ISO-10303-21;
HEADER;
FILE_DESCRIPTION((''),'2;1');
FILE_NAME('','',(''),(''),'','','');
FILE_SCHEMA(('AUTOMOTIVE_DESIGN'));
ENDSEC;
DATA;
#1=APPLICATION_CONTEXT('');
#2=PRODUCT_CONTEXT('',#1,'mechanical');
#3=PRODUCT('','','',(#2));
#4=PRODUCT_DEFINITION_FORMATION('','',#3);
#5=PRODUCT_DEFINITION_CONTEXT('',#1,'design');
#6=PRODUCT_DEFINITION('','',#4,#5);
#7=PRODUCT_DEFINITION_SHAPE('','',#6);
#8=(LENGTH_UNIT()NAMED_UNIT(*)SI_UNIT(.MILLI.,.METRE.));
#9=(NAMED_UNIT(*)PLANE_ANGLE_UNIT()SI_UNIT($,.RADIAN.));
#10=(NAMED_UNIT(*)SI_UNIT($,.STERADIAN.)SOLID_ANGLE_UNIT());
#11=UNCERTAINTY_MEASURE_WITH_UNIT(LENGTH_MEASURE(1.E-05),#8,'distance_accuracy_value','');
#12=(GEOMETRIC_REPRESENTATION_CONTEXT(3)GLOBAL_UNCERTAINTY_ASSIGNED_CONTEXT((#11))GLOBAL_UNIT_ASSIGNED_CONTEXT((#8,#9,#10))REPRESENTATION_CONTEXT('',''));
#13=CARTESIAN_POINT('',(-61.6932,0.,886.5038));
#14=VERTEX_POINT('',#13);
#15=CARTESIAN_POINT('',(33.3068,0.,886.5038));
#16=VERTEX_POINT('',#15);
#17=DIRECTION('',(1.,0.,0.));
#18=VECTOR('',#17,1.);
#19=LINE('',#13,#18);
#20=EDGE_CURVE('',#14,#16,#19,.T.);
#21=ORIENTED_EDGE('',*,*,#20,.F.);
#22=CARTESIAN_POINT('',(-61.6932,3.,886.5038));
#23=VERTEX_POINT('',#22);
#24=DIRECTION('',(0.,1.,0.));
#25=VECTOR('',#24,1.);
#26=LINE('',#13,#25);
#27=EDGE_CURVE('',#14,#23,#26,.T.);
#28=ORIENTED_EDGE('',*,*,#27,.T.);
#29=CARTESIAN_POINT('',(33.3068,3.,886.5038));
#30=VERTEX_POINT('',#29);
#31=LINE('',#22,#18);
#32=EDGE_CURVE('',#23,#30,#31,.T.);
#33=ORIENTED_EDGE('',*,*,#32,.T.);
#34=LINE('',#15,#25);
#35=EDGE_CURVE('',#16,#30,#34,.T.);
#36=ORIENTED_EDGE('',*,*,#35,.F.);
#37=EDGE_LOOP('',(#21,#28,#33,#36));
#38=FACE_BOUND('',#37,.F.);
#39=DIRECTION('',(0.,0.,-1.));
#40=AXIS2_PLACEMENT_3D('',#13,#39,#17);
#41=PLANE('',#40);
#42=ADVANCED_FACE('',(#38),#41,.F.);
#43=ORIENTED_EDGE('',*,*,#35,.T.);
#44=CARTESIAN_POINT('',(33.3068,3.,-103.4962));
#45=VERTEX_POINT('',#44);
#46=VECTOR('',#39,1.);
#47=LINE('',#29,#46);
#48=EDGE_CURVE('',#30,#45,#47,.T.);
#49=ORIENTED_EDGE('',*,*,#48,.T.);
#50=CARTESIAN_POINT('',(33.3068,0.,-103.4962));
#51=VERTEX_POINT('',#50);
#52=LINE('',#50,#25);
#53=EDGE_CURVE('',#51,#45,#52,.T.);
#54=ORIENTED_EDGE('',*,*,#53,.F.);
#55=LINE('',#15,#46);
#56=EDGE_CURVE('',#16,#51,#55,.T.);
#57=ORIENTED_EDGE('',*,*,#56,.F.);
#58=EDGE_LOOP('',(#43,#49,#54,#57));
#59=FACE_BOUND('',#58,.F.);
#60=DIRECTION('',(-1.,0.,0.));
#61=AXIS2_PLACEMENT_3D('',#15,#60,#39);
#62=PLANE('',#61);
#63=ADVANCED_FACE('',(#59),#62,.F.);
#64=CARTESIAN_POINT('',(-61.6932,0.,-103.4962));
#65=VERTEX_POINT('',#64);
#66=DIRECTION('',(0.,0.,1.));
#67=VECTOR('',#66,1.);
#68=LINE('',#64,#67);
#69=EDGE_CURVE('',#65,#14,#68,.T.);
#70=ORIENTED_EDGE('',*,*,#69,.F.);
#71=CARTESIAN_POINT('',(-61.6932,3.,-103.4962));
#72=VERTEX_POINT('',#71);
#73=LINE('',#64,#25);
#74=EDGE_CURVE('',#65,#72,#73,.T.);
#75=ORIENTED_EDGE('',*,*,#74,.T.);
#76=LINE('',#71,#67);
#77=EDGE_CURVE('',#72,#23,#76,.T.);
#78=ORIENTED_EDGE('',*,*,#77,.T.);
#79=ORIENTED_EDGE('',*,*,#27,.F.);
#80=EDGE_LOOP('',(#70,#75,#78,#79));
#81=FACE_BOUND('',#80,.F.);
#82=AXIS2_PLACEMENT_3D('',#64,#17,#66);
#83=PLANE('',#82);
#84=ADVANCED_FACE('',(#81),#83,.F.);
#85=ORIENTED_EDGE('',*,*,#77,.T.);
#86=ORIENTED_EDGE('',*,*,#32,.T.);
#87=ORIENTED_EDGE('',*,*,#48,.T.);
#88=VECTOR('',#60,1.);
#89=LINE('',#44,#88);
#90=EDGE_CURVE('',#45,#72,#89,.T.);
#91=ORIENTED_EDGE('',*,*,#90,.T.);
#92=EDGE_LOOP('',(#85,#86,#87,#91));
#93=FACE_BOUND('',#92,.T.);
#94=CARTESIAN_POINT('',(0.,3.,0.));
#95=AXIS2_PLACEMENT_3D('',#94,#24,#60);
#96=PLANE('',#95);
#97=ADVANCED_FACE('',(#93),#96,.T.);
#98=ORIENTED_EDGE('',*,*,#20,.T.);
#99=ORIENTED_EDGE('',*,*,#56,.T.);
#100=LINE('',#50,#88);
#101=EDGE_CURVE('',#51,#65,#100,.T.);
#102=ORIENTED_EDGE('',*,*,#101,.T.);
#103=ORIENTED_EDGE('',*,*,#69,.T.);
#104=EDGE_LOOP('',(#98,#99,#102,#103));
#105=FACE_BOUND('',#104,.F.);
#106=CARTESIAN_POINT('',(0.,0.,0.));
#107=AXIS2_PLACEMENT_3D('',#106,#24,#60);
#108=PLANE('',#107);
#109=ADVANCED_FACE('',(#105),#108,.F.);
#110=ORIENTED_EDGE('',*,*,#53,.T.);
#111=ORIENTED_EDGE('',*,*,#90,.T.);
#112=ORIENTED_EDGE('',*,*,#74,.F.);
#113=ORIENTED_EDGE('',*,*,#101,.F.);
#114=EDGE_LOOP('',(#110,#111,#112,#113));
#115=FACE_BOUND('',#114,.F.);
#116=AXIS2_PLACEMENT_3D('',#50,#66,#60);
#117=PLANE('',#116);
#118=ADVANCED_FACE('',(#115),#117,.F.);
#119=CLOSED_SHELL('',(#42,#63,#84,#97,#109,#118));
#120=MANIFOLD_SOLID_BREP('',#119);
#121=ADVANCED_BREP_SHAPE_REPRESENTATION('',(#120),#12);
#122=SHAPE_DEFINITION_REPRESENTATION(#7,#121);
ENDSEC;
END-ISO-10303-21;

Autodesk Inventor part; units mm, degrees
ref_plane "YZ Plane" through (0, 0, 0) normal (1, 0, 0) x (0, 1, 0)
ref_plane "XZ Plane" through (0, 0, 0) normal (0, 1, 0) x (-1, 0, 0)
ref_plane "XY Plane" through (0, 0, 0) normal (0, 0, 1) x (1, 0, 0)
sketch "Szkic1" plane through (0, 0, 0) normal (0, 1, 0) x (-1, 0, 0)
  line L0 (61.6932, 886.5038) -> (-33.3068, 886.5038)
  line L1 (-33.3068, 886.5038) -> (-33.3068, -103.4962)
  line L2 (-33.3068, -103.4962) -> (61.6932, -103.4962)
  line L3 (61.6932, -103.4962) -> (61.6932, 886.5038)
  point P0 (0, 0)
  dimension "d0" = 95
  dimension "d1" = 990
extrude "Wyciągnięcie proste1" add sketch "Szkic1" along normal blind 3
properties part number "tasiemka_do_zgrzewania_3"
